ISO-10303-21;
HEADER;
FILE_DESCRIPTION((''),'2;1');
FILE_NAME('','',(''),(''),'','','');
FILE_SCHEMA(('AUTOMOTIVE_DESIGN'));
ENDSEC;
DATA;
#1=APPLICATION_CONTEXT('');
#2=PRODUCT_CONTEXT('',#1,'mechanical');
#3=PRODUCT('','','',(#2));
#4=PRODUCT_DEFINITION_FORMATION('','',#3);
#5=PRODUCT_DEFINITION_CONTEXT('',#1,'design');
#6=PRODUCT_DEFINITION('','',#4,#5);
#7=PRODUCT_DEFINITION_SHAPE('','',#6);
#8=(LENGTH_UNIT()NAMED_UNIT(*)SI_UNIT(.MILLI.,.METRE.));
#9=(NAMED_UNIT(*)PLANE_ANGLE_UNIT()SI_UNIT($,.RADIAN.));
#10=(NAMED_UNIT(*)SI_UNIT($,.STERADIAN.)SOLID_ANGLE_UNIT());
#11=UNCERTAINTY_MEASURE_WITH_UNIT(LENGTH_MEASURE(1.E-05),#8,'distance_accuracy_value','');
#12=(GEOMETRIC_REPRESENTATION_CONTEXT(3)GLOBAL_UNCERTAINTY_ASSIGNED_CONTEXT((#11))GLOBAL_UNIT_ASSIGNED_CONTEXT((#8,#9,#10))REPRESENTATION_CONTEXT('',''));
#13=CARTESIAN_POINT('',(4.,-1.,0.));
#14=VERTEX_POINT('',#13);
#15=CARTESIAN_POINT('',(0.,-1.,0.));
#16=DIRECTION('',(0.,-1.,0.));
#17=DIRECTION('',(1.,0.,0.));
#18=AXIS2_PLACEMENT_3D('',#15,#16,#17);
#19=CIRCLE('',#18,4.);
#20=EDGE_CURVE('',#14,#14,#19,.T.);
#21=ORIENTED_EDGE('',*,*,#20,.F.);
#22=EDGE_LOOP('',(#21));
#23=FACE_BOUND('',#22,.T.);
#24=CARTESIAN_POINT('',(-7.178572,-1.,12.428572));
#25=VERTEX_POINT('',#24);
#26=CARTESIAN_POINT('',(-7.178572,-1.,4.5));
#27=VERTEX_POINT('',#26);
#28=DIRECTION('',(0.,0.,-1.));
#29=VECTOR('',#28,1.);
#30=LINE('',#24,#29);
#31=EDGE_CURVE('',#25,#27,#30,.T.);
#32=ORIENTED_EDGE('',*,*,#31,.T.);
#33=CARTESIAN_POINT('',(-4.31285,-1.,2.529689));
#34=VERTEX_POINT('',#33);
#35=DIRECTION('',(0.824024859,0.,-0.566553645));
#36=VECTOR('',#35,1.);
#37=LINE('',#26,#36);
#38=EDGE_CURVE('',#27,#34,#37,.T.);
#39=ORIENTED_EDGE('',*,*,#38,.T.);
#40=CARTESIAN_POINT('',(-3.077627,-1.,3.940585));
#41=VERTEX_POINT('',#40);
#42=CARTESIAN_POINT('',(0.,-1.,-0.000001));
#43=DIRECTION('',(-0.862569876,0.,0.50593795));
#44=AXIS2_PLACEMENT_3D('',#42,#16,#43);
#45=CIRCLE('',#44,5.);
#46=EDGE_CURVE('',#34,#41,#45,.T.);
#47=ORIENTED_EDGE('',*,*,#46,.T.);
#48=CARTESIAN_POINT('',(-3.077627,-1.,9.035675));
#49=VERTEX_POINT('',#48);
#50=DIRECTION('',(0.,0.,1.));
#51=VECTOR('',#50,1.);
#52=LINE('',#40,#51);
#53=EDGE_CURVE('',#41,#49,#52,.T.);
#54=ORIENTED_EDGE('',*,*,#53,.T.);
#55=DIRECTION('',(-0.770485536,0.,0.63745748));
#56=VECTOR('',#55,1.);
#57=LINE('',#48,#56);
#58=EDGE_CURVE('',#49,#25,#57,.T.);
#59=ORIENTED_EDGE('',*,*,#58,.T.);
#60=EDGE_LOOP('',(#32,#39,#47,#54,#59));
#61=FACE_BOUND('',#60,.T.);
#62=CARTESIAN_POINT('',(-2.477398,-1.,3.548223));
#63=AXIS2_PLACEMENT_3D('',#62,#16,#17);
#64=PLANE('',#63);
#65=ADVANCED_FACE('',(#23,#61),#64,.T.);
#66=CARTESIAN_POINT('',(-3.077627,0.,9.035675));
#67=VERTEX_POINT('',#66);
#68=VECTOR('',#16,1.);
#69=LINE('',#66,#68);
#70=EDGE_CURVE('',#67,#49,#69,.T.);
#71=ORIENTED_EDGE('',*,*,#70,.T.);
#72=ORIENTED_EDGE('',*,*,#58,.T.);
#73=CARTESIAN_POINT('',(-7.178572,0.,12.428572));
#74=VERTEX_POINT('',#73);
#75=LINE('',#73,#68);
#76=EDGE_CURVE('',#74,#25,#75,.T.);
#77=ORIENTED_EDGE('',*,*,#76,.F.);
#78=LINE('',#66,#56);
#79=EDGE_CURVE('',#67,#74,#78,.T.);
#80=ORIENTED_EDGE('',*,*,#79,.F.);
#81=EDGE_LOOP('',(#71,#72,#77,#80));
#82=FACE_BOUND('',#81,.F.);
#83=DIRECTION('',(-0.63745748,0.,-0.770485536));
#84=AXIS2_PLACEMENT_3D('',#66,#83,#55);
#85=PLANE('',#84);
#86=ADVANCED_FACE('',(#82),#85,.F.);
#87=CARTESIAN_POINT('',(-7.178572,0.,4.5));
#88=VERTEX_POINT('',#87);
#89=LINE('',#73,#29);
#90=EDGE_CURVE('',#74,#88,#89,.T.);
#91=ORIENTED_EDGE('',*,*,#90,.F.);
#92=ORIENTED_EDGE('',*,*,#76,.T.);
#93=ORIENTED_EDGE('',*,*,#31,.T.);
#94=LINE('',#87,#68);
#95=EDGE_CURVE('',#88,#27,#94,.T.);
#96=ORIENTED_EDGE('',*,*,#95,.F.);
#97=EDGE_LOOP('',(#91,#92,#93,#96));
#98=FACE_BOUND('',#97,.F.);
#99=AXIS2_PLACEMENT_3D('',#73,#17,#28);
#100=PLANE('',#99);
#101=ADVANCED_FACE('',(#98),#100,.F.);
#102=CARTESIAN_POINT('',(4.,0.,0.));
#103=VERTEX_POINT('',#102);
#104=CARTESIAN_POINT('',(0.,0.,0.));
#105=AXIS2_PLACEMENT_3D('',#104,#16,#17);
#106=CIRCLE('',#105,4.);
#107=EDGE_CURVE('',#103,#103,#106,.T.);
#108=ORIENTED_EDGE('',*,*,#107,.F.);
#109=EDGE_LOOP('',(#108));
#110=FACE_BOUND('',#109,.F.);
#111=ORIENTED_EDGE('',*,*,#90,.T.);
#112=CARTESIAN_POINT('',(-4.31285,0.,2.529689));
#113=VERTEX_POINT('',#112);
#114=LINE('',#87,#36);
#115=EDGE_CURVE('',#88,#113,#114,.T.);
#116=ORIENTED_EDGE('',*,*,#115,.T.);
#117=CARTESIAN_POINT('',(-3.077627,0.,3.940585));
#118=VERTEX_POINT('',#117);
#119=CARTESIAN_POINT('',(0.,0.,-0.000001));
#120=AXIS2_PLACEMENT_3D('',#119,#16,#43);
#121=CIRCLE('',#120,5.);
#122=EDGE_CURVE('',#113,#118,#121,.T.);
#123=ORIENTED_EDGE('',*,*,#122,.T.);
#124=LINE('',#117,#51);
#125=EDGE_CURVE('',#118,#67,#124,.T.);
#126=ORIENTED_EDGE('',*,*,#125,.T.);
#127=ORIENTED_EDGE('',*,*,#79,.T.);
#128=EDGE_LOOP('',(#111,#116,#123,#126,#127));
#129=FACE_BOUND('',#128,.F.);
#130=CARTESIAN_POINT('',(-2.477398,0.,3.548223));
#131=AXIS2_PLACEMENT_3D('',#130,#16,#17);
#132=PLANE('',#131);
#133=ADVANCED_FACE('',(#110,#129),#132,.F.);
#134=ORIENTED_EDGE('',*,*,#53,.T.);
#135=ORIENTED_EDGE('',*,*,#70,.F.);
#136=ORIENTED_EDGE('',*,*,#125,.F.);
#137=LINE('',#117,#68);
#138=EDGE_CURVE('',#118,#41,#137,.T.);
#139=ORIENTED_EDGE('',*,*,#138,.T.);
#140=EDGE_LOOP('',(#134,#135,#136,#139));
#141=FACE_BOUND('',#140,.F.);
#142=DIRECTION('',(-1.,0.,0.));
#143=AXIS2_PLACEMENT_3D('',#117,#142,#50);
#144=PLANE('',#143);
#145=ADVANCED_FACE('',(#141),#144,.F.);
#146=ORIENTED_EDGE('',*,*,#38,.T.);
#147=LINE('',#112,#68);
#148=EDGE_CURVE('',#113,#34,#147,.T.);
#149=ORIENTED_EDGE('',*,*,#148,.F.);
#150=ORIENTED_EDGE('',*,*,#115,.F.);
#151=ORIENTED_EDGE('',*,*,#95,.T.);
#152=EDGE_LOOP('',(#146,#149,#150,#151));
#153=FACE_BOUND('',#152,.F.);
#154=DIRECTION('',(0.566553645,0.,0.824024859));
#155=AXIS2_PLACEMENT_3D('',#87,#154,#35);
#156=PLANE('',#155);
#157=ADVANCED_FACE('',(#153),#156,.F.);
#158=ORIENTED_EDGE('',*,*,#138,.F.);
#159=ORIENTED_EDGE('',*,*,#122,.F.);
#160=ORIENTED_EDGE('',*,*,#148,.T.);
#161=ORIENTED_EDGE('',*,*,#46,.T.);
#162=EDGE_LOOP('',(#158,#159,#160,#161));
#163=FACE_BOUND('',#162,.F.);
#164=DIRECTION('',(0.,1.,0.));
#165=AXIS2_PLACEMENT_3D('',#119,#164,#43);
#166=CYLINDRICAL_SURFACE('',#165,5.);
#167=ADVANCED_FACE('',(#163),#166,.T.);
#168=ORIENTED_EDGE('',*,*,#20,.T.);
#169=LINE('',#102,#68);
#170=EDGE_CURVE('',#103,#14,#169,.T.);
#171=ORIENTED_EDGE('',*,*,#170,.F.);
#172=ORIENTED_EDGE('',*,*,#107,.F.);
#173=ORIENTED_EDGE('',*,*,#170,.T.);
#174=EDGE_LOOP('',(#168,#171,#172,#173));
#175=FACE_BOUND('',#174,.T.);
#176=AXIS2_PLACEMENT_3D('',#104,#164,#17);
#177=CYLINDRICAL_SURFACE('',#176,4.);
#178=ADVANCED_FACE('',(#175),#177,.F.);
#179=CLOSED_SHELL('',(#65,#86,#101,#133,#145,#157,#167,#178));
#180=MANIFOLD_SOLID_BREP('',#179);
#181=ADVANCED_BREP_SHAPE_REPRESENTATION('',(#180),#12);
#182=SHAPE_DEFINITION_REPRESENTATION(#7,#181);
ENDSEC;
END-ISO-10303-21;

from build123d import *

# Parameters (mm, degrees)
F0_R     = 4
F1_DEPTH = 1


with BuildPart() as f1:
    # F0 (on Front) → F1 (new body)
    with BuildSketch(Plane.XZ):
        with BuildLine():
            Line((-7.178572, 4.5), (-4.31285, 2.529689))
            ThreePointArc((-4.31285, 2.529689), (3.761974, -3.293563), (-3.077627, 3.940585))
            Line((-3.077627, 3.940585), (-3.077627, 9.035675))
            Line((-3.077627, 9.035675), (-7.178572, 12.428572))
            Line((-7.178572, 12.428572), (-7.178572, 4.5))
        make_face()
        Circle(F0_R, mode=Mode.SUBTRACT)
    extrude(amount=F1_DEPTH)


solid = f1.part
